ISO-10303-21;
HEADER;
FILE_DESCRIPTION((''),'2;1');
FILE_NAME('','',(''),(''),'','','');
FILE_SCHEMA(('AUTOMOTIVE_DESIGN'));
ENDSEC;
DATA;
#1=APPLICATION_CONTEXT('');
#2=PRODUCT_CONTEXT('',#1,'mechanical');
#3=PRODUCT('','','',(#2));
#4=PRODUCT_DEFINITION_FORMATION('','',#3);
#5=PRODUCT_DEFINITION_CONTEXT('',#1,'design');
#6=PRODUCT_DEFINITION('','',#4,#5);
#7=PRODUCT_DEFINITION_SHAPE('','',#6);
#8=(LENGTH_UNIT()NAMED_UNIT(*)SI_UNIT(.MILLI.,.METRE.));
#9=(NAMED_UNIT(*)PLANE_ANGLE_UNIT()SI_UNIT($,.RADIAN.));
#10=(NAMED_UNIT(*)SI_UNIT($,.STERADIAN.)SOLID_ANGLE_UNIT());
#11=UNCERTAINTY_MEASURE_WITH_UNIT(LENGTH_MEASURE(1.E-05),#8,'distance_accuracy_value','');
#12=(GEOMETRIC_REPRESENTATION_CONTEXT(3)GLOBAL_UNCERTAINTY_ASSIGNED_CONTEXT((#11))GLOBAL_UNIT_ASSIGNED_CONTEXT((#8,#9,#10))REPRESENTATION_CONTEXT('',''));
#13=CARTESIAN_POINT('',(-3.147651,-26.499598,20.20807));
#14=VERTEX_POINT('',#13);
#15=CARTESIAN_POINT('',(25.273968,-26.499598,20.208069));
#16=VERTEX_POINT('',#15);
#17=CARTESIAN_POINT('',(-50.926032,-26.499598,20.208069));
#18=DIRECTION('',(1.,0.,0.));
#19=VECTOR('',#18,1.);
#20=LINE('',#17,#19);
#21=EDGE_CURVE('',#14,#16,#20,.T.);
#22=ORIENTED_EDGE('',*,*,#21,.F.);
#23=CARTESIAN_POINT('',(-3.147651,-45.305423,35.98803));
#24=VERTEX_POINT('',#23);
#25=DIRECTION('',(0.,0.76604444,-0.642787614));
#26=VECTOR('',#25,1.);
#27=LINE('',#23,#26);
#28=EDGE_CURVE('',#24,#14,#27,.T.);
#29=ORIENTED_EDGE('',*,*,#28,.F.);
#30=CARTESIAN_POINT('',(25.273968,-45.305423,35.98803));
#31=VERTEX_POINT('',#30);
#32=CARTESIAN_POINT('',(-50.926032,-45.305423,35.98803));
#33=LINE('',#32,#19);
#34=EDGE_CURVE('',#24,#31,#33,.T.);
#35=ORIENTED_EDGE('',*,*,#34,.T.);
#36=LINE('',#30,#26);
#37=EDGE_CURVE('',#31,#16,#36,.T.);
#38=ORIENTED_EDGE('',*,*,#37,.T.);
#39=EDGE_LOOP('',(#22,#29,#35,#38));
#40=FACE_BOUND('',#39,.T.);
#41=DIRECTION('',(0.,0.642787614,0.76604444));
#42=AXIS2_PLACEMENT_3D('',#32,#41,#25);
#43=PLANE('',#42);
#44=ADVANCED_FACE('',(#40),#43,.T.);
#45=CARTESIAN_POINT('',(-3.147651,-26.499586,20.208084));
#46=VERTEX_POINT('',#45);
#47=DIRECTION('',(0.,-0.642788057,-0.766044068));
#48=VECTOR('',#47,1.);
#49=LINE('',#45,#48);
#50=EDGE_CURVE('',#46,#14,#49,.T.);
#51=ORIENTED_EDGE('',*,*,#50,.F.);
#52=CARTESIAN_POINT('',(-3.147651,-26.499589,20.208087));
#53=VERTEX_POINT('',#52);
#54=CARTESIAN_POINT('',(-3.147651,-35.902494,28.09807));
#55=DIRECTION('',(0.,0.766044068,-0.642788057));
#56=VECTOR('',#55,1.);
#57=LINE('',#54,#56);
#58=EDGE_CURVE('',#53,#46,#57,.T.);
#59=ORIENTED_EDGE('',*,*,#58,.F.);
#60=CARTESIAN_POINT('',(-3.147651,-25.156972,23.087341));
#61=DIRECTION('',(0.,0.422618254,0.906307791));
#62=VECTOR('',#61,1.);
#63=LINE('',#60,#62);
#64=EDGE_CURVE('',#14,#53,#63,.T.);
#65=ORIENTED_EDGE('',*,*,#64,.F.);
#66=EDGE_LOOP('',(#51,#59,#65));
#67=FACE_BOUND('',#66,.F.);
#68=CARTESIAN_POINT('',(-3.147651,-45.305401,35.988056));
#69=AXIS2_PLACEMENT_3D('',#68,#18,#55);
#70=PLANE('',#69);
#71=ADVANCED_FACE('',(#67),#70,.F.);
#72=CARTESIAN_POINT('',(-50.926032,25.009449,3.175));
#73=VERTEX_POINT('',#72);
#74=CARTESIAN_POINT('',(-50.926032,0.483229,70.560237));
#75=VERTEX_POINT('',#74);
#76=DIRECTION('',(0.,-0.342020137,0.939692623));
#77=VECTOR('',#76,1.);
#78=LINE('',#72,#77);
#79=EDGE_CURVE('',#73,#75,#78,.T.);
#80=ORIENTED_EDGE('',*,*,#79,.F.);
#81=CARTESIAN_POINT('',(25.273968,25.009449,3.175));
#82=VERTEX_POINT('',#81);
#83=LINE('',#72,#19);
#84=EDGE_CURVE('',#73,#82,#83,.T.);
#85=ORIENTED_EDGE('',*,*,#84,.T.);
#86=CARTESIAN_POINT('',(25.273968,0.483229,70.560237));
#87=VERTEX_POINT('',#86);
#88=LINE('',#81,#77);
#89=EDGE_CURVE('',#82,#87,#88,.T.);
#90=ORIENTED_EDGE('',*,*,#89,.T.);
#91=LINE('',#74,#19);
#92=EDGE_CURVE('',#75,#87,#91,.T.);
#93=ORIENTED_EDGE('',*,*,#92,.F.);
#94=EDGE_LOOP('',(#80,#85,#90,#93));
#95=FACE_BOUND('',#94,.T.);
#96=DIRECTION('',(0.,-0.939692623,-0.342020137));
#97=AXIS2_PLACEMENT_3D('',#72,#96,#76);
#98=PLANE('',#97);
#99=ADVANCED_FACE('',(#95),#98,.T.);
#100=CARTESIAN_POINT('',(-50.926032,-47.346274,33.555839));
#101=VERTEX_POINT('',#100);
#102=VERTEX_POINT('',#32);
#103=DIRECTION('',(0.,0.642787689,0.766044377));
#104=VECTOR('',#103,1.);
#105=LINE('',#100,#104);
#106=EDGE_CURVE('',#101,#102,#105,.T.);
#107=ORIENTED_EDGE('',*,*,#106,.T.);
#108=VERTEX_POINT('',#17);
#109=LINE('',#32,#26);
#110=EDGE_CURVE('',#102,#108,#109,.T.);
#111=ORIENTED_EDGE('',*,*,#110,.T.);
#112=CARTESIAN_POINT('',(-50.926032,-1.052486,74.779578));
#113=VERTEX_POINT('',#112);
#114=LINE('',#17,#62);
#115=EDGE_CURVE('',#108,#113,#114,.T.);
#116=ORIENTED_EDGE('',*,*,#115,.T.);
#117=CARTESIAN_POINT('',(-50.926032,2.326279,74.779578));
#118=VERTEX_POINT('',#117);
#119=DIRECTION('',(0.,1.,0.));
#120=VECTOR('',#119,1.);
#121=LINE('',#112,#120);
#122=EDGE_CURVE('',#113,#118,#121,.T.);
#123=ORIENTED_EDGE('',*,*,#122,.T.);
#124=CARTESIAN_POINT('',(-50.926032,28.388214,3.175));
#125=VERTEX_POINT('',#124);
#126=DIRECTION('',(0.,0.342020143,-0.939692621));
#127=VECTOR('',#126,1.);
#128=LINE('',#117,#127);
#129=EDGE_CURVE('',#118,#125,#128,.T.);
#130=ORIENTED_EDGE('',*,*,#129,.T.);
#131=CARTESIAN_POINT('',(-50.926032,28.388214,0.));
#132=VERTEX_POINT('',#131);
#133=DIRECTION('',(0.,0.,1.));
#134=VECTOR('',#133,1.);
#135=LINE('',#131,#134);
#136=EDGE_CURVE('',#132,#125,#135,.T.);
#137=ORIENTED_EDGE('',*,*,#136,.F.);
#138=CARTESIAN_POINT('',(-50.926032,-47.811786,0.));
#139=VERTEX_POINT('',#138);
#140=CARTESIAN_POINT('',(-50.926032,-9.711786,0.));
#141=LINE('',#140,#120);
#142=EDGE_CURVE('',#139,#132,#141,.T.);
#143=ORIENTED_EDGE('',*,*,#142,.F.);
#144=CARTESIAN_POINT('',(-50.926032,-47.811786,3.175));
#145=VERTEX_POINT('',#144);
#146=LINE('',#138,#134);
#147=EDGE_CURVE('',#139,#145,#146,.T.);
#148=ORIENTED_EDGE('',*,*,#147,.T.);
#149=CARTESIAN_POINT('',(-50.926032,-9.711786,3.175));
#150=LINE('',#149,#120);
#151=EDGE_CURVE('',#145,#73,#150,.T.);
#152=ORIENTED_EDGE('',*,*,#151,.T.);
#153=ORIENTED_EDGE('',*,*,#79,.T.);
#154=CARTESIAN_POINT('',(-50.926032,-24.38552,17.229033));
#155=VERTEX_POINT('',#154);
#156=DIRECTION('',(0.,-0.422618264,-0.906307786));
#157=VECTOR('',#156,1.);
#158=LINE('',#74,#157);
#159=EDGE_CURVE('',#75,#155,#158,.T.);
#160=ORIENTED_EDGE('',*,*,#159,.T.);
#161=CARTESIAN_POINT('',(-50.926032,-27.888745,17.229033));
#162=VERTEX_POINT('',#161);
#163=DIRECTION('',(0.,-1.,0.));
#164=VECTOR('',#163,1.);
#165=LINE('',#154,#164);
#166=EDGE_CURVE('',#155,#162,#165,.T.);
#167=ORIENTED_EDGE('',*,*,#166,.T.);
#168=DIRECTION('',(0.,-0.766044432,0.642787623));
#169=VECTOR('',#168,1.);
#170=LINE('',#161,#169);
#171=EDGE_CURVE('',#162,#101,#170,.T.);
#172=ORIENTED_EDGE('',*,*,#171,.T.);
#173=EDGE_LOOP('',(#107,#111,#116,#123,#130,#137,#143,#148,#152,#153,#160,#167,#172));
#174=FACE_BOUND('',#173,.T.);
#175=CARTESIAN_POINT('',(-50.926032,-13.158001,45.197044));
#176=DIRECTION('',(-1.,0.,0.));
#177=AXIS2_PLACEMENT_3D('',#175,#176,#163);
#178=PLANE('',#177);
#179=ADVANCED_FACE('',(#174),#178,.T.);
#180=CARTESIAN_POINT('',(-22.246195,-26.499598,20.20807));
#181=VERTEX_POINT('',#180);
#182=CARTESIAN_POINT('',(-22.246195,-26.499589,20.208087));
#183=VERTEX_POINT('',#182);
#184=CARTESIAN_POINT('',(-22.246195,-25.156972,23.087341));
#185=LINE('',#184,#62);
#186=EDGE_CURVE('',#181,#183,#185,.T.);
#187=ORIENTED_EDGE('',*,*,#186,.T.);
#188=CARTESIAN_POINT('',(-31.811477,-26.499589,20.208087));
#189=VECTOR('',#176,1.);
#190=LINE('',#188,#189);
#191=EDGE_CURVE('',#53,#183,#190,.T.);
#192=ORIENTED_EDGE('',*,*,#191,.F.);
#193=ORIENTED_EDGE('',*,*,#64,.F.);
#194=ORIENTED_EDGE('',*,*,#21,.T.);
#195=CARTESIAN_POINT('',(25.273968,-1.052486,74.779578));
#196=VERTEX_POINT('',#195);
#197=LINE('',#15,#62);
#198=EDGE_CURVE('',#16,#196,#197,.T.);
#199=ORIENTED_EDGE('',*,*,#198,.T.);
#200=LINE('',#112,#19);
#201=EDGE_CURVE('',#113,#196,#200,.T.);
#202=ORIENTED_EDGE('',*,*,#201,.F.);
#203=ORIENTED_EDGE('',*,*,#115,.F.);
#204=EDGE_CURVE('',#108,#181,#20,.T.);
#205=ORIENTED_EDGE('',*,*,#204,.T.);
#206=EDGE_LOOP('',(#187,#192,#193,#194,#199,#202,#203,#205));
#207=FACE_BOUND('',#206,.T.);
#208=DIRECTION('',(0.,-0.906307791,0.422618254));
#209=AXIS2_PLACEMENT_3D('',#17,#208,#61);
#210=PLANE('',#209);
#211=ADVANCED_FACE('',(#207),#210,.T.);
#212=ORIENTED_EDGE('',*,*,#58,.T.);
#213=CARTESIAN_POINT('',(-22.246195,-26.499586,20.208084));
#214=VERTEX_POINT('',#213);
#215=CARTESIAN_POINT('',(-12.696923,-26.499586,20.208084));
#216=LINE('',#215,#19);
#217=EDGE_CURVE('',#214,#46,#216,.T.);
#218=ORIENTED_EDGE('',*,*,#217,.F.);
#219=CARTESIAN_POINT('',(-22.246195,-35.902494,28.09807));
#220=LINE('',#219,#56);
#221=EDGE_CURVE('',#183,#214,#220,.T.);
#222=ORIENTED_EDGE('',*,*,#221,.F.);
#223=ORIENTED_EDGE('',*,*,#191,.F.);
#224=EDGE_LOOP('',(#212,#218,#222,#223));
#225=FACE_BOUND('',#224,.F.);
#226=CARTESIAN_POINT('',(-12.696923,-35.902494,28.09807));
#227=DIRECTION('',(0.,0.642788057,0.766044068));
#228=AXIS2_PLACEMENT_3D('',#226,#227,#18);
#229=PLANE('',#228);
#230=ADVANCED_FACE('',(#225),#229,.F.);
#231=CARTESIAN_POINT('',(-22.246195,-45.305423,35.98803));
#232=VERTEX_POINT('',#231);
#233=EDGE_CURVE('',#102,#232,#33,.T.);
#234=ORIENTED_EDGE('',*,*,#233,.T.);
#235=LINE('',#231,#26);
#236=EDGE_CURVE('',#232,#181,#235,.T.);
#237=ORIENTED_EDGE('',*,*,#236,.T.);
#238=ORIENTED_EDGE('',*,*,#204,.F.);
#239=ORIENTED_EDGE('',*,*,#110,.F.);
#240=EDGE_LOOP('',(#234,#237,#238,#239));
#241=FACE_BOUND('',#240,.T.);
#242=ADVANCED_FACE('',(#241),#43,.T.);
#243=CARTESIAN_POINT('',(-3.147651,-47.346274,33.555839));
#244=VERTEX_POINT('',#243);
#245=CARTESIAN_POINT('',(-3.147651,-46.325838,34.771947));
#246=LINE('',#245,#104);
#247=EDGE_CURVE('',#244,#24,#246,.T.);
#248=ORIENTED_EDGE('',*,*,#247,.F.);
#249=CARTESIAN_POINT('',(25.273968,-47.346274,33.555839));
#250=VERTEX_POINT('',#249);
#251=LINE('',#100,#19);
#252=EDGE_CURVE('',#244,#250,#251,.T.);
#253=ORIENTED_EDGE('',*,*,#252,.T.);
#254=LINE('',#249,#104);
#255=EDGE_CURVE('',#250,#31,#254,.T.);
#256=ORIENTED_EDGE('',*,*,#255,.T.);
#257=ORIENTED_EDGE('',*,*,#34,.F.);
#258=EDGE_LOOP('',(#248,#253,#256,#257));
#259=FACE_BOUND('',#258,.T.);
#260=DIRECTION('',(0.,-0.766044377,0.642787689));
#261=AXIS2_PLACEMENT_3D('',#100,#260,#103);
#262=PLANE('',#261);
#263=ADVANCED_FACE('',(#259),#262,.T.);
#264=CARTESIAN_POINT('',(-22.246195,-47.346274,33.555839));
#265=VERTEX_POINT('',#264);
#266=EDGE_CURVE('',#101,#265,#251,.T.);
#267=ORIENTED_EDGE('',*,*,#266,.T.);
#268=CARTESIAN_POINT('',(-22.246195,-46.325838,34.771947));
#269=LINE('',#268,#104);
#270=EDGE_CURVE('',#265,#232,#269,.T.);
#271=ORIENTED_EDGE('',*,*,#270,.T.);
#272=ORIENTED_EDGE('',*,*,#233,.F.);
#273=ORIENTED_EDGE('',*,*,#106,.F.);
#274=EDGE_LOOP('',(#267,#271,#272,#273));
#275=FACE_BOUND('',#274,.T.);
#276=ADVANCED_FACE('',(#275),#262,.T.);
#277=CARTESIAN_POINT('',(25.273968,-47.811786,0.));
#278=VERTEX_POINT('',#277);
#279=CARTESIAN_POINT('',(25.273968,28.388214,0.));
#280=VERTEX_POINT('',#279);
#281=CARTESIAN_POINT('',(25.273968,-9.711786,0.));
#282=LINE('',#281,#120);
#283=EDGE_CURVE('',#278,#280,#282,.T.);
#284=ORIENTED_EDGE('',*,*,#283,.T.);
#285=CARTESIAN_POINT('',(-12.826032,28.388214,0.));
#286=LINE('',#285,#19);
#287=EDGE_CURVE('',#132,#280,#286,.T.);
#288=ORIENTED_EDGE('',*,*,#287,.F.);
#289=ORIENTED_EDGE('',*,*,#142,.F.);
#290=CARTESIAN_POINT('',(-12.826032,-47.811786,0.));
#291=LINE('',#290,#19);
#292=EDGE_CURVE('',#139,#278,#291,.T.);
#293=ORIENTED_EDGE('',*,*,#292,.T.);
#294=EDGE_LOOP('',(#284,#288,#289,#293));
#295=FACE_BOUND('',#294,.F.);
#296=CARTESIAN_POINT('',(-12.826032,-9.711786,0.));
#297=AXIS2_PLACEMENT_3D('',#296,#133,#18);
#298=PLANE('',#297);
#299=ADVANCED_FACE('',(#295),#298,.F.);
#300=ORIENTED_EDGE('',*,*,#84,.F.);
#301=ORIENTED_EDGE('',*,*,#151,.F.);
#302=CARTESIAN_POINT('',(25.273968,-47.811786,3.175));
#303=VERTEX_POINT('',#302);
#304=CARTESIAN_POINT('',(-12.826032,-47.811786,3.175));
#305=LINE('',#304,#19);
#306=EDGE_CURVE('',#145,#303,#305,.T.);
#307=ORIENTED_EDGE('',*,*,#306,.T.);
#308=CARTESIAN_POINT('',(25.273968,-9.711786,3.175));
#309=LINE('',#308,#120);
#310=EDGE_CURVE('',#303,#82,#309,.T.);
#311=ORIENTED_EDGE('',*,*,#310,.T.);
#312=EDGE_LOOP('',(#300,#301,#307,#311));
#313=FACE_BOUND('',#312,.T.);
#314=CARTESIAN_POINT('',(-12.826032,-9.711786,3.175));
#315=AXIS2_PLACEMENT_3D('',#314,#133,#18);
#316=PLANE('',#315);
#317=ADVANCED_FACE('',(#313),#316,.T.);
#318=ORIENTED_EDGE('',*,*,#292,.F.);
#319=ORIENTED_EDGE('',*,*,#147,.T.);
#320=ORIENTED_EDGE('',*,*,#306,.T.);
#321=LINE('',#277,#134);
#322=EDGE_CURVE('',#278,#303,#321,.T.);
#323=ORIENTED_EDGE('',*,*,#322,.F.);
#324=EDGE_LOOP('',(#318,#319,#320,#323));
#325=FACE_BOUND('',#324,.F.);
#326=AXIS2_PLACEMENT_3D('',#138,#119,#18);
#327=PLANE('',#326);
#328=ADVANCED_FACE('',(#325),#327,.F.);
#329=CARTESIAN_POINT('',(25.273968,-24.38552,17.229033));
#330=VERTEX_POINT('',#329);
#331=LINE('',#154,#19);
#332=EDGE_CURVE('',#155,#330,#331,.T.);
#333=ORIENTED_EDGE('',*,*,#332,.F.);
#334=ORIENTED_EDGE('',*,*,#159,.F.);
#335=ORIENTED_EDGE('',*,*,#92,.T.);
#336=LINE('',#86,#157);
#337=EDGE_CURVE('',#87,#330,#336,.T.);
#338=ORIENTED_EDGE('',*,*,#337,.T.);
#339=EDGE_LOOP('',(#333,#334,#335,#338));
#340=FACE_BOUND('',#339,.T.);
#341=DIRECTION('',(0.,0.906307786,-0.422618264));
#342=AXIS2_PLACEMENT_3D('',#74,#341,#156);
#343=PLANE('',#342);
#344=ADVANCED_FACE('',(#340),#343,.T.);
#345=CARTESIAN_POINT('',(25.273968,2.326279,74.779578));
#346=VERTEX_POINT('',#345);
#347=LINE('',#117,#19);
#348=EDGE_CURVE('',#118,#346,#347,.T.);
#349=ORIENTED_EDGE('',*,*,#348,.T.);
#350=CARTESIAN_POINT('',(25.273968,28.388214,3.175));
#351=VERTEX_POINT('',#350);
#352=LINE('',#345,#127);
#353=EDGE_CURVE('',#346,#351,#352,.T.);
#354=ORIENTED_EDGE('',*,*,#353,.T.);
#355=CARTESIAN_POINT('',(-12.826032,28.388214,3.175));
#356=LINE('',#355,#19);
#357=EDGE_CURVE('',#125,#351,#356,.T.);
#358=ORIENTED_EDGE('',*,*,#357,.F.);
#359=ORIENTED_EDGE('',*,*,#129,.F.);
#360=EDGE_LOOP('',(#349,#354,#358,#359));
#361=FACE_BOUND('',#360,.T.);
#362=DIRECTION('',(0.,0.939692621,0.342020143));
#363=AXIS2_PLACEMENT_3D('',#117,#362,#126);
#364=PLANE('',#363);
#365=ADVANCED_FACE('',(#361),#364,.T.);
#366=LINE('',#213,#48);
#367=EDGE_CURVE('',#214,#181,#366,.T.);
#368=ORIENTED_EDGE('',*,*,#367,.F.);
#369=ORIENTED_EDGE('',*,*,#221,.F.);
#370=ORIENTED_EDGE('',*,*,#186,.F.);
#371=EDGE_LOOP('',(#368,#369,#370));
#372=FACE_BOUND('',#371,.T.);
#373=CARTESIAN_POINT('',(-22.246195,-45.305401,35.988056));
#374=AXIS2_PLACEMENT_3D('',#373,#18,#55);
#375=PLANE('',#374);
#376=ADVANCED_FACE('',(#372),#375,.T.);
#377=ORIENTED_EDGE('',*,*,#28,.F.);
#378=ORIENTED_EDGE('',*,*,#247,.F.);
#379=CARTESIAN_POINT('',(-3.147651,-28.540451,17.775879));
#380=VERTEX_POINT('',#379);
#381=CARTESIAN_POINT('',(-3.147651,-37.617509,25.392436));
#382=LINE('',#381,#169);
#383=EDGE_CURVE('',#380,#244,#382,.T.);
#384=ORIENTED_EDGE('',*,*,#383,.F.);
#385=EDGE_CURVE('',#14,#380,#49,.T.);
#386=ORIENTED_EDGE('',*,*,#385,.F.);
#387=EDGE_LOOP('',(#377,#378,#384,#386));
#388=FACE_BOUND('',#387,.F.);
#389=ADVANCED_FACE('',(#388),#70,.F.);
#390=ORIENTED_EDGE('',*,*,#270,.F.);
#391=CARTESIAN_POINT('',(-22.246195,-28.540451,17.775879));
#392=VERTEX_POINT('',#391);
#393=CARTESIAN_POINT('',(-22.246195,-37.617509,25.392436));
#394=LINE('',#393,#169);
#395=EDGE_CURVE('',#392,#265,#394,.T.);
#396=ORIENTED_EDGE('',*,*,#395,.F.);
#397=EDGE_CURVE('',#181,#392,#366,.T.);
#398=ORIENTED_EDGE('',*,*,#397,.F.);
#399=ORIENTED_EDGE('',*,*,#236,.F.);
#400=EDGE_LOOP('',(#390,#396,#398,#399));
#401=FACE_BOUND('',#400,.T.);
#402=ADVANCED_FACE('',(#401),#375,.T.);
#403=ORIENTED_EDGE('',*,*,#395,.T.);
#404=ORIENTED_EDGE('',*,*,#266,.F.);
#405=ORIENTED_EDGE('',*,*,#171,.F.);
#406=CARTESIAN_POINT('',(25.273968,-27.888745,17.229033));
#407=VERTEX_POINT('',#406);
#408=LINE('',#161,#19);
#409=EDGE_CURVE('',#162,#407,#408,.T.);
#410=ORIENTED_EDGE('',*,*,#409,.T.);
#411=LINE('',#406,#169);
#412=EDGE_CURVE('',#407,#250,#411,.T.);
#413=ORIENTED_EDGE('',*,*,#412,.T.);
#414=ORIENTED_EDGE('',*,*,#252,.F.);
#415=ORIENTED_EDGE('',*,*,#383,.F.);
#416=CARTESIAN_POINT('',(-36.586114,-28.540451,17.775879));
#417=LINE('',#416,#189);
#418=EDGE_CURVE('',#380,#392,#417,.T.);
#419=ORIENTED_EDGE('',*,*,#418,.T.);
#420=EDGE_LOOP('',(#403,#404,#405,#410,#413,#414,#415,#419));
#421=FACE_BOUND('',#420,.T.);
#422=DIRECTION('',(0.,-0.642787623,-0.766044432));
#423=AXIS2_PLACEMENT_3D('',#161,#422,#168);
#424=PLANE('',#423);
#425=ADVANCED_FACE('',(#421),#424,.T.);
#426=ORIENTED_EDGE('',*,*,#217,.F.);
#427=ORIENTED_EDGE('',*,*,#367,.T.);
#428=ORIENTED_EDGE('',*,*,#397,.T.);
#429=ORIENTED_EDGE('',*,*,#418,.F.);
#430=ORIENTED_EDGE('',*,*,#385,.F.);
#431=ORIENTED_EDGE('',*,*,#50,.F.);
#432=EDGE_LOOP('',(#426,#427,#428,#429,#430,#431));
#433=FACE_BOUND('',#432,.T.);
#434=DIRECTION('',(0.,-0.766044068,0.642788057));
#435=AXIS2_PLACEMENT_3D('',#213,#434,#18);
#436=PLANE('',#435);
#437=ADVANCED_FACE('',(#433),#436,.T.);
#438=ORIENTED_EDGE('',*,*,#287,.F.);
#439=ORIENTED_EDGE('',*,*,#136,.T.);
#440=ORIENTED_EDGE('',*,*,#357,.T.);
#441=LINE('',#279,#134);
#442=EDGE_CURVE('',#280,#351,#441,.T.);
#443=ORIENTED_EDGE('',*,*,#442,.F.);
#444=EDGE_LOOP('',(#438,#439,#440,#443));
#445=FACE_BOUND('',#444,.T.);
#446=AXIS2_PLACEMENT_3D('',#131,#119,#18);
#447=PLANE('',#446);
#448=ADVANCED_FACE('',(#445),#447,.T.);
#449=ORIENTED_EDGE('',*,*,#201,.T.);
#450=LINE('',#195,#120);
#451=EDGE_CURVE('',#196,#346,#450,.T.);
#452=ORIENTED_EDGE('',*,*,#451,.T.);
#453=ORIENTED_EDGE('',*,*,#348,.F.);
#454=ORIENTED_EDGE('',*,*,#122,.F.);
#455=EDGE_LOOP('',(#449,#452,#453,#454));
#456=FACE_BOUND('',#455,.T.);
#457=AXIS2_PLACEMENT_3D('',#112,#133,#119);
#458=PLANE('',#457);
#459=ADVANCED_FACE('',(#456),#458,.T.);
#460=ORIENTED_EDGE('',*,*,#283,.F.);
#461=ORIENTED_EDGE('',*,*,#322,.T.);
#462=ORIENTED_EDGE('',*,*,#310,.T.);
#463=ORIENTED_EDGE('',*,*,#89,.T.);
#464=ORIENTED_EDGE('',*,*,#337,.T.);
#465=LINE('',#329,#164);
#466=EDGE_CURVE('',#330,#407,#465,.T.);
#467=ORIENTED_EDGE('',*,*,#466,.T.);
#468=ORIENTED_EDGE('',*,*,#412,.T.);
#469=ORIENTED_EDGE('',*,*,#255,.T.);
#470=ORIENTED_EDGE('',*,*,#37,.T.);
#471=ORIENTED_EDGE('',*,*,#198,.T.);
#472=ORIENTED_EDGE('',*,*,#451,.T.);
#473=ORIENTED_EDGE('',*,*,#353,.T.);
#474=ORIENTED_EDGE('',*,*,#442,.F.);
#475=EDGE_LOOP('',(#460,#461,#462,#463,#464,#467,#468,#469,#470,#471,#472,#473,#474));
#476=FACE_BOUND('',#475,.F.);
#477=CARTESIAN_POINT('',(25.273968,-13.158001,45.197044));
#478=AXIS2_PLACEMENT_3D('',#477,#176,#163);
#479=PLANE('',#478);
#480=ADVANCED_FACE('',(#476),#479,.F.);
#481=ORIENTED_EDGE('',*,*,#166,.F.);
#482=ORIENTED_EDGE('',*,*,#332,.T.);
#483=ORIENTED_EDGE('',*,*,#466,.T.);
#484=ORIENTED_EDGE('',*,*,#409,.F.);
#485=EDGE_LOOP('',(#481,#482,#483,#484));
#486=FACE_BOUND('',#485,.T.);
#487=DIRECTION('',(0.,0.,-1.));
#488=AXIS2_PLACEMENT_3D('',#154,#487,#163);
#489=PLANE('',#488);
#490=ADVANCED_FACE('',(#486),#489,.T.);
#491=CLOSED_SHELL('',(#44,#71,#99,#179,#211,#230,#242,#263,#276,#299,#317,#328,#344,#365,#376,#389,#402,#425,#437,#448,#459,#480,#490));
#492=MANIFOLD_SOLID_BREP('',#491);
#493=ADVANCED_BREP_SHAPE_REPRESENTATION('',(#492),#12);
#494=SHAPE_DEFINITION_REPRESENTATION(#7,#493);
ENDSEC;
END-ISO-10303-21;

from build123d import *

# Parameters (mm, degrees)
F0_W     = 76.2
F0_H     = 76.2
F1_DEPTH = 3.175
F3_DEPTH = 76.2
F4_W     = 19.098544
F4_H     = 24.549261
F5_DEPTH = 4


with BuildPart() as f1:
    # F0 (on Top) → F1 (new body)
    with BuildSketch(Plane.XY):
        with Locations((-12.826032, -9.711786)):
            Rectangle(F0_W, F0_H)
    extrude(amount=F1_DEPTH)

    # F2 (on face) → F3 (join)
    with BuildSketch(Plane(origin=(-50.926032, 0, 0), x_dir=(0, -1, 0), z_dir=(-1, 0, 0))):
        Polygon((1.052486, 74.779578), (-0.483229, 70.560237), (24.38552, 17.229033), (27.888745, 17.229033), (26.499598, 20.208069), align=None)
        Polygon((45.305423, 35.98803), (26.499598, 20.208069), (27.888745, 17.229033), (47.346274, 33.555839), align=None)
        Polygon((-2.326279, 74.779578), (-28.388214, 3.175), (-25.009449, 3.175), (-0.483229, 70.560237), (1.052486, 74.779578), align=None)
    extrude(amount=-F3_DEPTH)

    # F4 (on face) → F5 (cut)
    with BuildSketch(Plane(origin=(0, -0.998464, -1.189923), x_dir=(1, 0, 0), z_dir=(0, 0.642788, 0.766044))):
        with Locations((-12.696923, -45.563997)):
            Rectangle(F4_W, F4_H)
    extrude(amount=-F5_DEPTH, mode=Mode.SUBTRACT)


solid = f1.part
